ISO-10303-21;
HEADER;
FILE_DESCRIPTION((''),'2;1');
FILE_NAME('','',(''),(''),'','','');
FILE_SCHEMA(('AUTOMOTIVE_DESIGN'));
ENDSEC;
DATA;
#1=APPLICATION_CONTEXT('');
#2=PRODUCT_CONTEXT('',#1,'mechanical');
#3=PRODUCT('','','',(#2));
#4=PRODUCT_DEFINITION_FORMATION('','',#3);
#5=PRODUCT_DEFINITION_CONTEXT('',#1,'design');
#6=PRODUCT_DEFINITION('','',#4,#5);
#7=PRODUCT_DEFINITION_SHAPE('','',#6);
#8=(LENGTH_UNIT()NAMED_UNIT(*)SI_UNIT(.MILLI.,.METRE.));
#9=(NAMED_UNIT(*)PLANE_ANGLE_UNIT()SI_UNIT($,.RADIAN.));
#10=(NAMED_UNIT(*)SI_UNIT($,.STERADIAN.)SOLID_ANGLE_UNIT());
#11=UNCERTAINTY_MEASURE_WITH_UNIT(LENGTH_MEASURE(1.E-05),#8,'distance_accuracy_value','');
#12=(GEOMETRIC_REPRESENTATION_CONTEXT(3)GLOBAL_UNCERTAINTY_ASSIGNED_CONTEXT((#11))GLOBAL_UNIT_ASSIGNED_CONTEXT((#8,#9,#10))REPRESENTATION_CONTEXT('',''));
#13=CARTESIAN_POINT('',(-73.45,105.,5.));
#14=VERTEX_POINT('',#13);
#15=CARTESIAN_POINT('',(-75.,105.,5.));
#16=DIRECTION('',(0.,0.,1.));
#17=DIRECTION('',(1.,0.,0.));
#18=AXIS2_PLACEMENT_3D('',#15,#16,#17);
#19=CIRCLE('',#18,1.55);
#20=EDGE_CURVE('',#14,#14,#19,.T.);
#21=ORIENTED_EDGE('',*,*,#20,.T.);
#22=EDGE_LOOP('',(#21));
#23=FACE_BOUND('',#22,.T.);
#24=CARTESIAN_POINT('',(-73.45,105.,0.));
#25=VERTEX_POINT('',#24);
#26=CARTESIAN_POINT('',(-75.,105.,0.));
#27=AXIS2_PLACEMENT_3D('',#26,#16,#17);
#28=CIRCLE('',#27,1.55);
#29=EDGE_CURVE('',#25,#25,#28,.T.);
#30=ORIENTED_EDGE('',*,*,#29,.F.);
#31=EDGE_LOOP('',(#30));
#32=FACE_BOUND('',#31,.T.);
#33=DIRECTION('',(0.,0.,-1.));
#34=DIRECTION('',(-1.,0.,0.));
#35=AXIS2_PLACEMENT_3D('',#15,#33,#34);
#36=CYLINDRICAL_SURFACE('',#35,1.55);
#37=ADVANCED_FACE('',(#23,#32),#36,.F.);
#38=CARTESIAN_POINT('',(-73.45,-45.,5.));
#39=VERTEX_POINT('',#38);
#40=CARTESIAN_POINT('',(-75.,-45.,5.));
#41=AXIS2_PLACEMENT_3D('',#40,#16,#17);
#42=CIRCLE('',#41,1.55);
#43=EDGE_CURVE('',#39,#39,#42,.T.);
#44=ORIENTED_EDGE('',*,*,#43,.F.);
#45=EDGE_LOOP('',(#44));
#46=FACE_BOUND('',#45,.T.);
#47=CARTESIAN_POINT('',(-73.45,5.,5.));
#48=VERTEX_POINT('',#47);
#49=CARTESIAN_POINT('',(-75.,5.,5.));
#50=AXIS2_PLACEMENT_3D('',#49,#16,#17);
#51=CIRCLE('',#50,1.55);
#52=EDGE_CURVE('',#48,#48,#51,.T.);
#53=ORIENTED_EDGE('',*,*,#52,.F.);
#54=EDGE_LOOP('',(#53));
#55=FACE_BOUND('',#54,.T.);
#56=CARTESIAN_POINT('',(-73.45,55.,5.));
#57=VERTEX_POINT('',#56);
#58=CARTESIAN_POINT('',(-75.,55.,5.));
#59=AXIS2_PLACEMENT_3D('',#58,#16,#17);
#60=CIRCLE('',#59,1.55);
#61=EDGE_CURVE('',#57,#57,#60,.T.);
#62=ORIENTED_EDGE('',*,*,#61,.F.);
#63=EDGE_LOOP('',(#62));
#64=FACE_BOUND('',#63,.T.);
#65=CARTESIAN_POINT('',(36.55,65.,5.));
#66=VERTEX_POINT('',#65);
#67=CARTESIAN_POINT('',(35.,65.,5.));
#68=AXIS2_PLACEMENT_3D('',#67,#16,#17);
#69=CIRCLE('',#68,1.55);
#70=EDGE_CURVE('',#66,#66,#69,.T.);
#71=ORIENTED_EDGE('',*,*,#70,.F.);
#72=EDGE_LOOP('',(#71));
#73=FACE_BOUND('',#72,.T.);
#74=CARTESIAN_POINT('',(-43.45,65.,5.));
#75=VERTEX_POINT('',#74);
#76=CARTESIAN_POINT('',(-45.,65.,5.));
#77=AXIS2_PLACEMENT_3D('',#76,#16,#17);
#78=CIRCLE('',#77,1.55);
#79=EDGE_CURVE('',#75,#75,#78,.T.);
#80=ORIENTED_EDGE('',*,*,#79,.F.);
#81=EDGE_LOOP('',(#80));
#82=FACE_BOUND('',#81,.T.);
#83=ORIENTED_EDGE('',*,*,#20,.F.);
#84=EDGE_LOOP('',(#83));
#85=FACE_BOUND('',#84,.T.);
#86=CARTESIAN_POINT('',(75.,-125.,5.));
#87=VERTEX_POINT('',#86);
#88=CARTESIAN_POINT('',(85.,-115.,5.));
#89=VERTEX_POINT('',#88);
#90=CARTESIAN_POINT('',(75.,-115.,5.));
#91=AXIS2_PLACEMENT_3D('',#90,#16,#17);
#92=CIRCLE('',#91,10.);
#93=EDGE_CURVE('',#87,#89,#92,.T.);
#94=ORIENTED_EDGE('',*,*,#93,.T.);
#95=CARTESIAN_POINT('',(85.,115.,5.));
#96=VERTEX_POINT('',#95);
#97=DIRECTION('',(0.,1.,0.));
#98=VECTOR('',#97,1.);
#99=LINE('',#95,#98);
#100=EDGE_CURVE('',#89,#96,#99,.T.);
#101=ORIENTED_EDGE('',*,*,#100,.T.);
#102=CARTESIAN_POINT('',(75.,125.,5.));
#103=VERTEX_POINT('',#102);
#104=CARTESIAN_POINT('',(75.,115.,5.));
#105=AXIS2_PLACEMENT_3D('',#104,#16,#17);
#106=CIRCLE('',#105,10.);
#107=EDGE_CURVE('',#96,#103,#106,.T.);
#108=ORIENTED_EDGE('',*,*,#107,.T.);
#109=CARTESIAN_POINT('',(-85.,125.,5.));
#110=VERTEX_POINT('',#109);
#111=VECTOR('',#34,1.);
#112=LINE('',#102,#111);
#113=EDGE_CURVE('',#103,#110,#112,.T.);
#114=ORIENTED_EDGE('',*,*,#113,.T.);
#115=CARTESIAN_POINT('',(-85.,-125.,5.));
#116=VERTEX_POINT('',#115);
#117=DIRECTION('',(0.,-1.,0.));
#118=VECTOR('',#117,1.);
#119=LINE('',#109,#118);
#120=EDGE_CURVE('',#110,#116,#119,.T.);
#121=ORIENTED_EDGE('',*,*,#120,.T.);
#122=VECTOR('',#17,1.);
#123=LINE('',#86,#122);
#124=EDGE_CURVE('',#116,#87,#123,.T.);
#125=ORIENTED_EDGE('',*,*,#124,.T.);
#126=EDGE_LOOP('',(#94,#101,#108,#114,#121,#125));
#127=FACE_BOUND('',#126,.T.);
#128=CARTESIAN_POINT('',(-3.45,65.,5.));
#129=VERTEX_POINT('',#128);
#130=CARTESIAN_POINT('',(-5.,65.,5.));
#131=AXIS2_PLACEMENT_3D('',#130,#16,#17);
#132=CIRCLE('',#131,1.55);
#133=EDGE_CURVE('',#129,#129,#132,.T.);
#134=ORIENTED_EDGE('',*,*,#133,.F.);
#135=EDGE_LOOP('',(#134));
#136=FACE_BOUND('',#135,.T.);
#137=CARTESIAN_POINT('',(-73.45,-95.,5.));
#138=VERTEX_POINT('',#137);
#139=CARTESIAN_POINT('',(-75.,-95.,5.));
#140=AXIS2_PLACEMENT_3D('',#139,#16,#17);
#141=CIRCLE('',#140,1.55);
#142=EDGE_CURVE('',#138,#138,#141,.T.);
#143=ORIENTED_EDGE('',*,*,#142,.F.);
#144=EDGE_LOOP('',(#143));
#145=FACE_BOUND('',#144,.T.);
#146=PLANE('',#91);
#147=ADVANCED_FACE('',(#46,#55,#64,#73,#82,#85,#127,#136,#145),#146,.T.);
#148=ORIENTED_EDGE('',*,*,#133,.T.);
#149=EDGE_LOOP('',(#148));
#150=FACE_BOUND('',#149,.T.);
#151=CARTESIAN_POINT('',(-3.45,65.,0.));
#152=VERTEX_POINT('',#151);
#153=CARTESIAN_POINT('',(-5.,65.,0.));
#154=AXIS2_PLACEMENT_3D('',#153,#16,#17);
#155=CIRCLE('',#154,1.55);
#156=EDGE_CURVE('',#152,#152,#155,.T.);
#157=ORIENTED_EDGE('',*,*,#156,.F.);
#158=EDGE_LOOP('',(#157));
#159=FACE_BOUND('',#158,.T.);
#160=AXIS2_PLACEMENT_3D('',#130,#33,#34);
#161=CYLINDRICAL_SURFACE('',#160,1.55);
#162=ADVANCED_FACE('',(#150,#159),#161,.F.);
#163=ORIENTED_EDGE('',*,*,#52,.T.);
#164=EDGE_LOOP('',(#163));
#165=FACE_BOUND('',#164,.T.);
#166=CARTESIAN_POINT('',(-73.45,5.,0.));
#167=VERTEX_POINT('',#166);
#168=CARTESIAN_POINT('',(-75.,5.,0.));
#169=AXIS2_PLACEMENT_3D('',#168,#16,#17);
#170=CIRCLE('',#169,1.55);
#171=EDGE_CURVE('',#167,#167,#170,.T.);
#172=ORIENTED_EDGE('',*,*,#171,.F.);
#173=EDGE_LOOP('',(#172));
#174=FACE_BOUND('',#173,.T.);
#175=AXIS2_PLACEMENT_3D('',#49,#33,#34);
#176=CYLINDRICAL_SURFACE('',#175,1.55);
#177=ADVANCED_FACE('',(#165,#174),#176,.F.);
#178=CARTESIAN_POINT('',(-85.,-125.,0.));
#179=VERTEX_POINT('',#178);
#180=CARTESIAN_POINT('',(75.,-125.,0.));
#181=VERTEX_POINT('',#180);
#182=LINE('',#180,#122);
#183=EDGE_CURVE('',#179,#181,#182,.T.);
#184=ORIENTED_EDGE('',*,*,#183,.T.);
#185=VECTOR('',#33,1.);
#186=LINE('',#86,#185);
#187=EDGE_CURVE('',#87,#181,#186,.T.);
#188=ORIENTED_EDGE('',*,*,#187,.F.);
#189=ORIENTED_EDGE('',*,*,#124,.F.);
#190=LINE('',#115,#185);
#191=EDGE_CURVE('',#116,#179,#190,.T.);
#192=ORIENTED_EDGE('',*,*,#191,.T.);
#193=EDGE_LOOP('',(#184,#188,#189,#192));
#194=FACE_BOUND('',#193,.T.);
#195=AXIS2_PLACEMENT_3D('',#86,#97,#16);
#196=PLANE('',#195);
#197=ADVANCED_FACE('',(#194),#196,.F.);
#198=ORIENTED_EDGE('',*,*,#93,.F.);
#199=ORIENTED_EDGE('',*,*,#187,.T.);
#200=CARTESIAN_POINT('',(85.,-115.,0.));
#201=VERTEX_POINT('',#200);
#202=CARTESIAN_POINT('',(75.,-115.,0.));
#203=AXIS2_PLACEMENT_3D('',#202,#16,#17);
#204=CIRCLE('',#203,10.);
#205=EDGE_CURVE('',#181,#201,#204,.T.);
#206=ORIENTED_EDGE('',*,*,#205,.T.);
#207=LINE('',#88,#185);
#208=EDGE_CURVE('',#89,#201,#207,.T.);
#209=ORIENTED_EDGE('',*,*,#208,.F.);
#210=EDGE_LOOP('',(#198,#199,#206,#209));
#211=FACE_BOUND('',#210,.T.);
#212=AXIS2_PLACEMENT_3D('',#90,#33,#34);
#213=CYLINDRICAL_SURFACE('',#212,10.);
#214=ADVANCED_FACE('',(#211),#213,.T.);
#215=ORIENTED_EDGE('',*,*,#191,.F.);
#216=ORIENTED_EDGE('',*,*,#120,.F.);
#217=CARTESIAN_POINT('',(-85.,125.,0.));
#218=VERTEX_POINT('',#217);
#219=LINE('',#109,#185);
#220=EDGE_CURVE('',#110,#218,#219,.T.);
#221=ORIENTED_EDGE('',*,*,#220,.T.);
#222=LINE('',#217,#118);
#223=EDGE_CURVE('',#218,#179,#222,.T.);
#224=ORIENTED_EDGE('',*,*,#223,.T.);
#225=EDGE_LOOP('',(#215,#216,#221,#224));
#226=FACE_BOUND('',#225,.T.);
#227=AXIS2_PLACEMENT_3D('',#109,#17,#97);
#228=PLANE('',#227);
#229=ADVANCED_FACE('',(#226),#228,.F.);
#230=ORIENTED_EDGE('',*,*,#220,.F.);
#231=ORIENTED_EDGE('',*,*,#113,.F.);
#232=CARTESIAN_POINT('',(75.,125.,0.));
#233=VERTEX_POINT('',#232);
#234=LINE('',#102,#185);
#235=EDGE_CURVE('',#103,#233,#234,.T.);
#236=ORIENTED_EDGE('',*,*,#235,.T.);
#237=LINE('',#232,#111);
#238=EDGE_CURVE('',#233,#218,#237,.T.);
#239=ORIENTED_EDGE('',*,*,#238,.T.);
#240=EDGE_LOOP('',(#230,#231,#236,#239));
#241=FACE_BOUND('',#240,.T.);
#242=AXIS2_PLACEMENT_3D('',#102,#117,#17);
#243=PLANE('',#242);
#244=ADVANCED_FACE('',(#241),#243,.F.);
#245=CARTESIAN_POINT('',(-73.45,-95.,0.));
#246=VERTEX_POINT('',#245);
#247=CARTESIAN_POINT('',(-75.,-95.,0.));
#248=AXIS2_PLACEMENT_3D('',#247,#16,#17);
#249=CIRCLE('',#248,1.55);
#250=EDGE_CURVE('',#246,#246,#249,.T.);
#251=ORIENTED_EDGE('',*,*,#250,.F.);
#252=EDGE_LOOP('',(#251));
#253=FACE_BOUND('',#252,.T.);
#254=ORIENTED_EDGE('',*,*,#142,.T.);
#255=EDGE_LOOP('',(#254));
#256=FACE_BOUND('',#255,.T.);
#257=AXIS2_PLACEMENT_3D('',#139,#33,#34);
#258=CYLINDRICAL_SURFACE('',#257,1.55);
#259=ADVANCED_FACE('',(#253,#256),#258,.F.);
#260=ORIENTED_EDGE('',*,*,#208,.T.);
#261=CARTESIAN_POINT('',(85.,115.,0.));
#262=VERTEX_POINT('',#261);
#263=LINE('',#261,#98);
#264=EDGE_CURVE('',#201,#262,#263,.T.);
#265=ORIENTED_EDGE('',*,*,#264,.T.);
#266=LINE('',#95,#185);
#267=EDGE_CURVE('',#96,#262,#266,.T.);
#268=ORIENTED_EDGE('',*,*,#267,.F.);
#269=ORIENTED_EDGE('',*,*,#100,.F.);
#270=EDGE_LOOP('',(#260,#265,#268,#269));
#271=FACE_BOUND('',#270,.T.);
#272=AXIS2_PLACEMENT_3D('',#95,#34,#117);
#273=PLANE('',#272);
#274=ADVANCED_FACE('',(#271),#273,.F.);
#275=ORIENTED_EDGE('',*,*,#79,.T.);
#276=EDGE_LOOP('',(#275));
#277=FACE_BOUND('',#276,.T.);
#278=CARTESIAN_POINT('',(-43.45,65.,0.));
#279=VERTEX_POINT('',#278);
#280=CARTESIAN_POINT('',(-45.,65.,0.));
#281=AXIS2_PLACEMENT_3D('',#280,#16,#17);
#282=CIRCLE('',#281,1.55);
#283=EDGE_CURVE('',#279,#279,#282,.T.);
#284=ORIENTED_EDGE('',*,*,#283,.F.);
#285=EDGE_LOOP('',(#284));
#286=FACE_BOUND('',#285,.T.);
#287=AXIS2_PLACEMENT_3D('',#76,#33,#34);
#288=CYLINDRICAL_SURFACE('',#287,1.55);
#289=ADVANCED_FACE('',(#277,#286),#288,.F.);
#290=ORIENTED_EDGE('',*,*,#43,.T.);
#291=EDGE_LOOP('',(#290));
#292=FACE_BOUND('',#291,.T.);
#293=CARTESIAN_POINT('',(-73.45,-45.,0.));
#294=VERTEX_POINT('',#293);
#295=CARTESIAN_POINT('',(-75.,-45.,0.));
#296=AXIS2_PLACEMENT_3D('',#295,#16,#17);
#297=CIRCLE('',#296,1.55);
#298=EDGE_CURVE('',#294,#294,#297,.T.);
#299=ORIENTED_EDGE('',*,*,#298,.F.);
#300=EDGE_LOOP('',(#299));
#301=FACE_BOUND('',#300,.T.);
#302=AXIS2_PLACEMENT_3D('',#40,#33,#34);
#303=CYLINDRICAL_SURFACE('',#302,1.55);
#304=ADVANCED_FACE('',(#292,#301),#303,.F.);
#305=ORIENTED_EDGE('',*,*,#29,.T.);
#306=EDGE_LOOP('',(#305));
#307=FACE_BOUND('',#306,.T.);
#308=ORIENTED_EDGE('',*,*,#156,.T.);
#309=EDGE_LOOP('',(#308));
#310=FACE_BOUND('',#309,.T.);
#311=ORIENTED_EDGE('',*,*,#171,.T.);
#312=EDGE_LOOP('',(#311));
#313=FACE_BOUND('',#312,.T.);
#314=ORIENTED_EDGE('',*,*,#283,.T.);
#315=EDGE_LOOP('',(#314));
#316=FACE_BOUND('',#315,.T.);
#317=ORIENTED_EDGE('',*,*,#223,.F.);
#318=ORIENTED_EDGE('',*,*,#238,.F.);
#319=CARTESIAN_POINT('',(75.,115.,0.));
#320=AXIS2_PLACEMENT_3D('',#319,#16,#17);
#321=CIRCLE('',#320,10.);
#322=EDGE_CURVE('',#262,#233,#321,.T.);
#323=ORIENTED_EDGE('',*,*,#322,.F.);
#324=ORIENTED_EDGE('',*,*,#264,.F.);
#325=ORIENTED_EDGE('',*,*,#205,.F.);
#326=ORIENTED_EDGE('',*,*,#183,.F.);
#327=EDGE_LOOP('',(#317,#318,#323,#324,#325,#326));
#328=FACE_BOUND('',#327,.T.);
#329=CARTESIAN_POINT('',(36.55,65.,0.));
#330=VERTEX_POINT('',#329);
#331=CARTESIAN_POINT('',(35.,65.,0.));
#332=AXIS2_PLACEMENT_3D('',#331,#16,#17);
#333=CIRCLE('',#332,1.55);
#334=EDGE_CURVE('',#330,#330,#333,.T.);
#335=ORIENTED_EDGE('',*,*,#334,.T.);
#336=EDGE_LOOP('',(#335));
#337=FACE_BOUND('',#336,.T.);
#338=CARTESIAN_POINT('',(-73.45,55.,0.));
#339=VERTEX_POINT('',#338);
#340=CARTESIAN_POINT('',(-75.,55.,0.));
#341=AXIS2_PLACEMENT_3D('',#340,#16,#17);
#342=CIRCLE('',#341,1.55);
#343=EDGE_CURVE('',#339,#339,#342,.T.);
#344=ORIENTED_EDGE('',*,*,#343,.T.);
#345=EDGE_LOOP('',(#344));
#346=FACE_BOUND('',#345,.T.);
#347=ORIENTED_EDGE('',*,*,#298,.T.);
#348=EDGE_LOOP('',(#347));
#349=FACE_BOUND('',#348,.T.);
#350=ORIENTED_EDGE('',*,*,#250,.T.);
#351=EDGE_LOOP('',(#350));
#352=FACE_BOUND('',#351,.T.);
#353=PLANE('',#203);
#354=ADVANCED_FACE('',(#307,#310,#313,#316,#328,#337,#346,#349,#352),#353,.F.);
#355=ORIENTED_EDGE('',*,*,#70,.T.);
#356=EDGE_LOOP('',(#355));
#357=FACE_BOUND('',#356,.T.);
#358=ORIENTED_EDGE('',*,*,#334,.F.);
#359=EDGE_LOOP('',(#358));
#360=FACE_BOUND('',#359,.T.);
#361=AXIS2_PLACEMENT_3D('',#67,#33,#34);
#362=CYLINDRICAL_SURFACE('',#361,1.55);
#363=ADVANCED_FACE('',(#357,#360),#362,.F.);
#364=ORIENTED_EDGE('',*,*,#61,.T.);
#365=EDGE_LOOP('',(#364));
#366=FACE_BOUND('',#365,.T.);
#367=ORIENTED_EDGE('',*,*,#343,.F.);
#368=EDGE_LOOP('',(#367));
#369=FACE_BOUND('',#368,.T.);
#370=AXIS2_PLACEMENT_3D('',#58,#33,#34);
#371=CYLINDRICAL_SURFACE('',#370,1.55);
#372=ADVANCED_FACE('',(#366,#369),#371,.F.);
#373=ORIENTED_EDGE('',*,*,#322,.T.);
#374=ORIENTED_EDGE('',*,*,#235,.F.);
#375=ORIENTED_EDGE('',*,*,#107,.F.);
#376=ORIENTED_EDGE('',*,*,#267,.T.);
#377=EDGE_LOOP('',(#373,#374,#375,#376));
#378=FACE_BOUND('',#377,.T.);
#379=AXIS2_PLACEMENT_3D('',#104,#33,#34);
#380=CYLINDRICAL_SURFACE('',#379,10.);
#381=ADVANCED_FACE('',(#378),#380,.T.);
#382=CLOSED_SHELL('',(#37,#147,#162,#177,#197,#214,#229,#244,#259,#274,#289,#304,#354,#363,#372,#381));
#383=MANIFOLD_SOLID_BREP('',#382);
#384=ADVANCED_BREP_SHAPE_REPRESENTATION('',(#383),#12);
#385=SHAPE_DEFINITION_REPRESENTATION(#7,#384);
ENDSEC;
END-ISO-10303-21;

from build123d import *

# Parameters (mm, degrees)
CROQUIS1_R              = 1.55
SALIENTE_EXTRUIR1_DEPTH = 5


with BuildPart() as part:
    # Croquis1 → Saliente-Extruir1 (new body)
    with BuildSketch(Plane.XY):
        with BuildLine():
            Line((75, 125), (-85, 125))
            Line((-85, 125), (-85, -125))
            Line((-85, -125), (75, -125))
            ThreePointArc((75, -125), (82.071067812, -122.071067812), (85, -115))
            Line((85, -115), (85, 115))
            ThreePointArc((85, 115), (82.071067812, 122.071067812), (75, 125))
        make_face()
        with Locations((35, 65)):
            Circle(CROQUIS1_R, mode=Mode.SUBTRACT)
        with Locations((-75, 105)):
            Circle(CROQUIS1_R, mode=Mode.SUBTRACT)
        with Locations((-75, 55)):
            Circle(CROQUIS1_R, mode=Mode.SUBTRACT)
        with Locations((-75, 5)):
            Circle(CROQUIS1_R, mode=Mode.SUBTRACT)
        with Locations((-75, -45)):
            Circle(CROQUIS1_R, mode=Mode.SUBTRACT)
        with Locations((-75, -95)):
            Circle(CROQUIS1_R, mode=Mode.SUBTRACT)
        with Locations((-5, 65)):
            Circle(CROQUIS1_R, mode=Mode.SUBTRACT)
        with Locations((-45, 65)):
            Circle(CROQUIS1_R, mode=Mode.SUBTRACT)
    extrude(amount=SALIENTE_EXTRUIR1_DEPTH)


solid = part.part
